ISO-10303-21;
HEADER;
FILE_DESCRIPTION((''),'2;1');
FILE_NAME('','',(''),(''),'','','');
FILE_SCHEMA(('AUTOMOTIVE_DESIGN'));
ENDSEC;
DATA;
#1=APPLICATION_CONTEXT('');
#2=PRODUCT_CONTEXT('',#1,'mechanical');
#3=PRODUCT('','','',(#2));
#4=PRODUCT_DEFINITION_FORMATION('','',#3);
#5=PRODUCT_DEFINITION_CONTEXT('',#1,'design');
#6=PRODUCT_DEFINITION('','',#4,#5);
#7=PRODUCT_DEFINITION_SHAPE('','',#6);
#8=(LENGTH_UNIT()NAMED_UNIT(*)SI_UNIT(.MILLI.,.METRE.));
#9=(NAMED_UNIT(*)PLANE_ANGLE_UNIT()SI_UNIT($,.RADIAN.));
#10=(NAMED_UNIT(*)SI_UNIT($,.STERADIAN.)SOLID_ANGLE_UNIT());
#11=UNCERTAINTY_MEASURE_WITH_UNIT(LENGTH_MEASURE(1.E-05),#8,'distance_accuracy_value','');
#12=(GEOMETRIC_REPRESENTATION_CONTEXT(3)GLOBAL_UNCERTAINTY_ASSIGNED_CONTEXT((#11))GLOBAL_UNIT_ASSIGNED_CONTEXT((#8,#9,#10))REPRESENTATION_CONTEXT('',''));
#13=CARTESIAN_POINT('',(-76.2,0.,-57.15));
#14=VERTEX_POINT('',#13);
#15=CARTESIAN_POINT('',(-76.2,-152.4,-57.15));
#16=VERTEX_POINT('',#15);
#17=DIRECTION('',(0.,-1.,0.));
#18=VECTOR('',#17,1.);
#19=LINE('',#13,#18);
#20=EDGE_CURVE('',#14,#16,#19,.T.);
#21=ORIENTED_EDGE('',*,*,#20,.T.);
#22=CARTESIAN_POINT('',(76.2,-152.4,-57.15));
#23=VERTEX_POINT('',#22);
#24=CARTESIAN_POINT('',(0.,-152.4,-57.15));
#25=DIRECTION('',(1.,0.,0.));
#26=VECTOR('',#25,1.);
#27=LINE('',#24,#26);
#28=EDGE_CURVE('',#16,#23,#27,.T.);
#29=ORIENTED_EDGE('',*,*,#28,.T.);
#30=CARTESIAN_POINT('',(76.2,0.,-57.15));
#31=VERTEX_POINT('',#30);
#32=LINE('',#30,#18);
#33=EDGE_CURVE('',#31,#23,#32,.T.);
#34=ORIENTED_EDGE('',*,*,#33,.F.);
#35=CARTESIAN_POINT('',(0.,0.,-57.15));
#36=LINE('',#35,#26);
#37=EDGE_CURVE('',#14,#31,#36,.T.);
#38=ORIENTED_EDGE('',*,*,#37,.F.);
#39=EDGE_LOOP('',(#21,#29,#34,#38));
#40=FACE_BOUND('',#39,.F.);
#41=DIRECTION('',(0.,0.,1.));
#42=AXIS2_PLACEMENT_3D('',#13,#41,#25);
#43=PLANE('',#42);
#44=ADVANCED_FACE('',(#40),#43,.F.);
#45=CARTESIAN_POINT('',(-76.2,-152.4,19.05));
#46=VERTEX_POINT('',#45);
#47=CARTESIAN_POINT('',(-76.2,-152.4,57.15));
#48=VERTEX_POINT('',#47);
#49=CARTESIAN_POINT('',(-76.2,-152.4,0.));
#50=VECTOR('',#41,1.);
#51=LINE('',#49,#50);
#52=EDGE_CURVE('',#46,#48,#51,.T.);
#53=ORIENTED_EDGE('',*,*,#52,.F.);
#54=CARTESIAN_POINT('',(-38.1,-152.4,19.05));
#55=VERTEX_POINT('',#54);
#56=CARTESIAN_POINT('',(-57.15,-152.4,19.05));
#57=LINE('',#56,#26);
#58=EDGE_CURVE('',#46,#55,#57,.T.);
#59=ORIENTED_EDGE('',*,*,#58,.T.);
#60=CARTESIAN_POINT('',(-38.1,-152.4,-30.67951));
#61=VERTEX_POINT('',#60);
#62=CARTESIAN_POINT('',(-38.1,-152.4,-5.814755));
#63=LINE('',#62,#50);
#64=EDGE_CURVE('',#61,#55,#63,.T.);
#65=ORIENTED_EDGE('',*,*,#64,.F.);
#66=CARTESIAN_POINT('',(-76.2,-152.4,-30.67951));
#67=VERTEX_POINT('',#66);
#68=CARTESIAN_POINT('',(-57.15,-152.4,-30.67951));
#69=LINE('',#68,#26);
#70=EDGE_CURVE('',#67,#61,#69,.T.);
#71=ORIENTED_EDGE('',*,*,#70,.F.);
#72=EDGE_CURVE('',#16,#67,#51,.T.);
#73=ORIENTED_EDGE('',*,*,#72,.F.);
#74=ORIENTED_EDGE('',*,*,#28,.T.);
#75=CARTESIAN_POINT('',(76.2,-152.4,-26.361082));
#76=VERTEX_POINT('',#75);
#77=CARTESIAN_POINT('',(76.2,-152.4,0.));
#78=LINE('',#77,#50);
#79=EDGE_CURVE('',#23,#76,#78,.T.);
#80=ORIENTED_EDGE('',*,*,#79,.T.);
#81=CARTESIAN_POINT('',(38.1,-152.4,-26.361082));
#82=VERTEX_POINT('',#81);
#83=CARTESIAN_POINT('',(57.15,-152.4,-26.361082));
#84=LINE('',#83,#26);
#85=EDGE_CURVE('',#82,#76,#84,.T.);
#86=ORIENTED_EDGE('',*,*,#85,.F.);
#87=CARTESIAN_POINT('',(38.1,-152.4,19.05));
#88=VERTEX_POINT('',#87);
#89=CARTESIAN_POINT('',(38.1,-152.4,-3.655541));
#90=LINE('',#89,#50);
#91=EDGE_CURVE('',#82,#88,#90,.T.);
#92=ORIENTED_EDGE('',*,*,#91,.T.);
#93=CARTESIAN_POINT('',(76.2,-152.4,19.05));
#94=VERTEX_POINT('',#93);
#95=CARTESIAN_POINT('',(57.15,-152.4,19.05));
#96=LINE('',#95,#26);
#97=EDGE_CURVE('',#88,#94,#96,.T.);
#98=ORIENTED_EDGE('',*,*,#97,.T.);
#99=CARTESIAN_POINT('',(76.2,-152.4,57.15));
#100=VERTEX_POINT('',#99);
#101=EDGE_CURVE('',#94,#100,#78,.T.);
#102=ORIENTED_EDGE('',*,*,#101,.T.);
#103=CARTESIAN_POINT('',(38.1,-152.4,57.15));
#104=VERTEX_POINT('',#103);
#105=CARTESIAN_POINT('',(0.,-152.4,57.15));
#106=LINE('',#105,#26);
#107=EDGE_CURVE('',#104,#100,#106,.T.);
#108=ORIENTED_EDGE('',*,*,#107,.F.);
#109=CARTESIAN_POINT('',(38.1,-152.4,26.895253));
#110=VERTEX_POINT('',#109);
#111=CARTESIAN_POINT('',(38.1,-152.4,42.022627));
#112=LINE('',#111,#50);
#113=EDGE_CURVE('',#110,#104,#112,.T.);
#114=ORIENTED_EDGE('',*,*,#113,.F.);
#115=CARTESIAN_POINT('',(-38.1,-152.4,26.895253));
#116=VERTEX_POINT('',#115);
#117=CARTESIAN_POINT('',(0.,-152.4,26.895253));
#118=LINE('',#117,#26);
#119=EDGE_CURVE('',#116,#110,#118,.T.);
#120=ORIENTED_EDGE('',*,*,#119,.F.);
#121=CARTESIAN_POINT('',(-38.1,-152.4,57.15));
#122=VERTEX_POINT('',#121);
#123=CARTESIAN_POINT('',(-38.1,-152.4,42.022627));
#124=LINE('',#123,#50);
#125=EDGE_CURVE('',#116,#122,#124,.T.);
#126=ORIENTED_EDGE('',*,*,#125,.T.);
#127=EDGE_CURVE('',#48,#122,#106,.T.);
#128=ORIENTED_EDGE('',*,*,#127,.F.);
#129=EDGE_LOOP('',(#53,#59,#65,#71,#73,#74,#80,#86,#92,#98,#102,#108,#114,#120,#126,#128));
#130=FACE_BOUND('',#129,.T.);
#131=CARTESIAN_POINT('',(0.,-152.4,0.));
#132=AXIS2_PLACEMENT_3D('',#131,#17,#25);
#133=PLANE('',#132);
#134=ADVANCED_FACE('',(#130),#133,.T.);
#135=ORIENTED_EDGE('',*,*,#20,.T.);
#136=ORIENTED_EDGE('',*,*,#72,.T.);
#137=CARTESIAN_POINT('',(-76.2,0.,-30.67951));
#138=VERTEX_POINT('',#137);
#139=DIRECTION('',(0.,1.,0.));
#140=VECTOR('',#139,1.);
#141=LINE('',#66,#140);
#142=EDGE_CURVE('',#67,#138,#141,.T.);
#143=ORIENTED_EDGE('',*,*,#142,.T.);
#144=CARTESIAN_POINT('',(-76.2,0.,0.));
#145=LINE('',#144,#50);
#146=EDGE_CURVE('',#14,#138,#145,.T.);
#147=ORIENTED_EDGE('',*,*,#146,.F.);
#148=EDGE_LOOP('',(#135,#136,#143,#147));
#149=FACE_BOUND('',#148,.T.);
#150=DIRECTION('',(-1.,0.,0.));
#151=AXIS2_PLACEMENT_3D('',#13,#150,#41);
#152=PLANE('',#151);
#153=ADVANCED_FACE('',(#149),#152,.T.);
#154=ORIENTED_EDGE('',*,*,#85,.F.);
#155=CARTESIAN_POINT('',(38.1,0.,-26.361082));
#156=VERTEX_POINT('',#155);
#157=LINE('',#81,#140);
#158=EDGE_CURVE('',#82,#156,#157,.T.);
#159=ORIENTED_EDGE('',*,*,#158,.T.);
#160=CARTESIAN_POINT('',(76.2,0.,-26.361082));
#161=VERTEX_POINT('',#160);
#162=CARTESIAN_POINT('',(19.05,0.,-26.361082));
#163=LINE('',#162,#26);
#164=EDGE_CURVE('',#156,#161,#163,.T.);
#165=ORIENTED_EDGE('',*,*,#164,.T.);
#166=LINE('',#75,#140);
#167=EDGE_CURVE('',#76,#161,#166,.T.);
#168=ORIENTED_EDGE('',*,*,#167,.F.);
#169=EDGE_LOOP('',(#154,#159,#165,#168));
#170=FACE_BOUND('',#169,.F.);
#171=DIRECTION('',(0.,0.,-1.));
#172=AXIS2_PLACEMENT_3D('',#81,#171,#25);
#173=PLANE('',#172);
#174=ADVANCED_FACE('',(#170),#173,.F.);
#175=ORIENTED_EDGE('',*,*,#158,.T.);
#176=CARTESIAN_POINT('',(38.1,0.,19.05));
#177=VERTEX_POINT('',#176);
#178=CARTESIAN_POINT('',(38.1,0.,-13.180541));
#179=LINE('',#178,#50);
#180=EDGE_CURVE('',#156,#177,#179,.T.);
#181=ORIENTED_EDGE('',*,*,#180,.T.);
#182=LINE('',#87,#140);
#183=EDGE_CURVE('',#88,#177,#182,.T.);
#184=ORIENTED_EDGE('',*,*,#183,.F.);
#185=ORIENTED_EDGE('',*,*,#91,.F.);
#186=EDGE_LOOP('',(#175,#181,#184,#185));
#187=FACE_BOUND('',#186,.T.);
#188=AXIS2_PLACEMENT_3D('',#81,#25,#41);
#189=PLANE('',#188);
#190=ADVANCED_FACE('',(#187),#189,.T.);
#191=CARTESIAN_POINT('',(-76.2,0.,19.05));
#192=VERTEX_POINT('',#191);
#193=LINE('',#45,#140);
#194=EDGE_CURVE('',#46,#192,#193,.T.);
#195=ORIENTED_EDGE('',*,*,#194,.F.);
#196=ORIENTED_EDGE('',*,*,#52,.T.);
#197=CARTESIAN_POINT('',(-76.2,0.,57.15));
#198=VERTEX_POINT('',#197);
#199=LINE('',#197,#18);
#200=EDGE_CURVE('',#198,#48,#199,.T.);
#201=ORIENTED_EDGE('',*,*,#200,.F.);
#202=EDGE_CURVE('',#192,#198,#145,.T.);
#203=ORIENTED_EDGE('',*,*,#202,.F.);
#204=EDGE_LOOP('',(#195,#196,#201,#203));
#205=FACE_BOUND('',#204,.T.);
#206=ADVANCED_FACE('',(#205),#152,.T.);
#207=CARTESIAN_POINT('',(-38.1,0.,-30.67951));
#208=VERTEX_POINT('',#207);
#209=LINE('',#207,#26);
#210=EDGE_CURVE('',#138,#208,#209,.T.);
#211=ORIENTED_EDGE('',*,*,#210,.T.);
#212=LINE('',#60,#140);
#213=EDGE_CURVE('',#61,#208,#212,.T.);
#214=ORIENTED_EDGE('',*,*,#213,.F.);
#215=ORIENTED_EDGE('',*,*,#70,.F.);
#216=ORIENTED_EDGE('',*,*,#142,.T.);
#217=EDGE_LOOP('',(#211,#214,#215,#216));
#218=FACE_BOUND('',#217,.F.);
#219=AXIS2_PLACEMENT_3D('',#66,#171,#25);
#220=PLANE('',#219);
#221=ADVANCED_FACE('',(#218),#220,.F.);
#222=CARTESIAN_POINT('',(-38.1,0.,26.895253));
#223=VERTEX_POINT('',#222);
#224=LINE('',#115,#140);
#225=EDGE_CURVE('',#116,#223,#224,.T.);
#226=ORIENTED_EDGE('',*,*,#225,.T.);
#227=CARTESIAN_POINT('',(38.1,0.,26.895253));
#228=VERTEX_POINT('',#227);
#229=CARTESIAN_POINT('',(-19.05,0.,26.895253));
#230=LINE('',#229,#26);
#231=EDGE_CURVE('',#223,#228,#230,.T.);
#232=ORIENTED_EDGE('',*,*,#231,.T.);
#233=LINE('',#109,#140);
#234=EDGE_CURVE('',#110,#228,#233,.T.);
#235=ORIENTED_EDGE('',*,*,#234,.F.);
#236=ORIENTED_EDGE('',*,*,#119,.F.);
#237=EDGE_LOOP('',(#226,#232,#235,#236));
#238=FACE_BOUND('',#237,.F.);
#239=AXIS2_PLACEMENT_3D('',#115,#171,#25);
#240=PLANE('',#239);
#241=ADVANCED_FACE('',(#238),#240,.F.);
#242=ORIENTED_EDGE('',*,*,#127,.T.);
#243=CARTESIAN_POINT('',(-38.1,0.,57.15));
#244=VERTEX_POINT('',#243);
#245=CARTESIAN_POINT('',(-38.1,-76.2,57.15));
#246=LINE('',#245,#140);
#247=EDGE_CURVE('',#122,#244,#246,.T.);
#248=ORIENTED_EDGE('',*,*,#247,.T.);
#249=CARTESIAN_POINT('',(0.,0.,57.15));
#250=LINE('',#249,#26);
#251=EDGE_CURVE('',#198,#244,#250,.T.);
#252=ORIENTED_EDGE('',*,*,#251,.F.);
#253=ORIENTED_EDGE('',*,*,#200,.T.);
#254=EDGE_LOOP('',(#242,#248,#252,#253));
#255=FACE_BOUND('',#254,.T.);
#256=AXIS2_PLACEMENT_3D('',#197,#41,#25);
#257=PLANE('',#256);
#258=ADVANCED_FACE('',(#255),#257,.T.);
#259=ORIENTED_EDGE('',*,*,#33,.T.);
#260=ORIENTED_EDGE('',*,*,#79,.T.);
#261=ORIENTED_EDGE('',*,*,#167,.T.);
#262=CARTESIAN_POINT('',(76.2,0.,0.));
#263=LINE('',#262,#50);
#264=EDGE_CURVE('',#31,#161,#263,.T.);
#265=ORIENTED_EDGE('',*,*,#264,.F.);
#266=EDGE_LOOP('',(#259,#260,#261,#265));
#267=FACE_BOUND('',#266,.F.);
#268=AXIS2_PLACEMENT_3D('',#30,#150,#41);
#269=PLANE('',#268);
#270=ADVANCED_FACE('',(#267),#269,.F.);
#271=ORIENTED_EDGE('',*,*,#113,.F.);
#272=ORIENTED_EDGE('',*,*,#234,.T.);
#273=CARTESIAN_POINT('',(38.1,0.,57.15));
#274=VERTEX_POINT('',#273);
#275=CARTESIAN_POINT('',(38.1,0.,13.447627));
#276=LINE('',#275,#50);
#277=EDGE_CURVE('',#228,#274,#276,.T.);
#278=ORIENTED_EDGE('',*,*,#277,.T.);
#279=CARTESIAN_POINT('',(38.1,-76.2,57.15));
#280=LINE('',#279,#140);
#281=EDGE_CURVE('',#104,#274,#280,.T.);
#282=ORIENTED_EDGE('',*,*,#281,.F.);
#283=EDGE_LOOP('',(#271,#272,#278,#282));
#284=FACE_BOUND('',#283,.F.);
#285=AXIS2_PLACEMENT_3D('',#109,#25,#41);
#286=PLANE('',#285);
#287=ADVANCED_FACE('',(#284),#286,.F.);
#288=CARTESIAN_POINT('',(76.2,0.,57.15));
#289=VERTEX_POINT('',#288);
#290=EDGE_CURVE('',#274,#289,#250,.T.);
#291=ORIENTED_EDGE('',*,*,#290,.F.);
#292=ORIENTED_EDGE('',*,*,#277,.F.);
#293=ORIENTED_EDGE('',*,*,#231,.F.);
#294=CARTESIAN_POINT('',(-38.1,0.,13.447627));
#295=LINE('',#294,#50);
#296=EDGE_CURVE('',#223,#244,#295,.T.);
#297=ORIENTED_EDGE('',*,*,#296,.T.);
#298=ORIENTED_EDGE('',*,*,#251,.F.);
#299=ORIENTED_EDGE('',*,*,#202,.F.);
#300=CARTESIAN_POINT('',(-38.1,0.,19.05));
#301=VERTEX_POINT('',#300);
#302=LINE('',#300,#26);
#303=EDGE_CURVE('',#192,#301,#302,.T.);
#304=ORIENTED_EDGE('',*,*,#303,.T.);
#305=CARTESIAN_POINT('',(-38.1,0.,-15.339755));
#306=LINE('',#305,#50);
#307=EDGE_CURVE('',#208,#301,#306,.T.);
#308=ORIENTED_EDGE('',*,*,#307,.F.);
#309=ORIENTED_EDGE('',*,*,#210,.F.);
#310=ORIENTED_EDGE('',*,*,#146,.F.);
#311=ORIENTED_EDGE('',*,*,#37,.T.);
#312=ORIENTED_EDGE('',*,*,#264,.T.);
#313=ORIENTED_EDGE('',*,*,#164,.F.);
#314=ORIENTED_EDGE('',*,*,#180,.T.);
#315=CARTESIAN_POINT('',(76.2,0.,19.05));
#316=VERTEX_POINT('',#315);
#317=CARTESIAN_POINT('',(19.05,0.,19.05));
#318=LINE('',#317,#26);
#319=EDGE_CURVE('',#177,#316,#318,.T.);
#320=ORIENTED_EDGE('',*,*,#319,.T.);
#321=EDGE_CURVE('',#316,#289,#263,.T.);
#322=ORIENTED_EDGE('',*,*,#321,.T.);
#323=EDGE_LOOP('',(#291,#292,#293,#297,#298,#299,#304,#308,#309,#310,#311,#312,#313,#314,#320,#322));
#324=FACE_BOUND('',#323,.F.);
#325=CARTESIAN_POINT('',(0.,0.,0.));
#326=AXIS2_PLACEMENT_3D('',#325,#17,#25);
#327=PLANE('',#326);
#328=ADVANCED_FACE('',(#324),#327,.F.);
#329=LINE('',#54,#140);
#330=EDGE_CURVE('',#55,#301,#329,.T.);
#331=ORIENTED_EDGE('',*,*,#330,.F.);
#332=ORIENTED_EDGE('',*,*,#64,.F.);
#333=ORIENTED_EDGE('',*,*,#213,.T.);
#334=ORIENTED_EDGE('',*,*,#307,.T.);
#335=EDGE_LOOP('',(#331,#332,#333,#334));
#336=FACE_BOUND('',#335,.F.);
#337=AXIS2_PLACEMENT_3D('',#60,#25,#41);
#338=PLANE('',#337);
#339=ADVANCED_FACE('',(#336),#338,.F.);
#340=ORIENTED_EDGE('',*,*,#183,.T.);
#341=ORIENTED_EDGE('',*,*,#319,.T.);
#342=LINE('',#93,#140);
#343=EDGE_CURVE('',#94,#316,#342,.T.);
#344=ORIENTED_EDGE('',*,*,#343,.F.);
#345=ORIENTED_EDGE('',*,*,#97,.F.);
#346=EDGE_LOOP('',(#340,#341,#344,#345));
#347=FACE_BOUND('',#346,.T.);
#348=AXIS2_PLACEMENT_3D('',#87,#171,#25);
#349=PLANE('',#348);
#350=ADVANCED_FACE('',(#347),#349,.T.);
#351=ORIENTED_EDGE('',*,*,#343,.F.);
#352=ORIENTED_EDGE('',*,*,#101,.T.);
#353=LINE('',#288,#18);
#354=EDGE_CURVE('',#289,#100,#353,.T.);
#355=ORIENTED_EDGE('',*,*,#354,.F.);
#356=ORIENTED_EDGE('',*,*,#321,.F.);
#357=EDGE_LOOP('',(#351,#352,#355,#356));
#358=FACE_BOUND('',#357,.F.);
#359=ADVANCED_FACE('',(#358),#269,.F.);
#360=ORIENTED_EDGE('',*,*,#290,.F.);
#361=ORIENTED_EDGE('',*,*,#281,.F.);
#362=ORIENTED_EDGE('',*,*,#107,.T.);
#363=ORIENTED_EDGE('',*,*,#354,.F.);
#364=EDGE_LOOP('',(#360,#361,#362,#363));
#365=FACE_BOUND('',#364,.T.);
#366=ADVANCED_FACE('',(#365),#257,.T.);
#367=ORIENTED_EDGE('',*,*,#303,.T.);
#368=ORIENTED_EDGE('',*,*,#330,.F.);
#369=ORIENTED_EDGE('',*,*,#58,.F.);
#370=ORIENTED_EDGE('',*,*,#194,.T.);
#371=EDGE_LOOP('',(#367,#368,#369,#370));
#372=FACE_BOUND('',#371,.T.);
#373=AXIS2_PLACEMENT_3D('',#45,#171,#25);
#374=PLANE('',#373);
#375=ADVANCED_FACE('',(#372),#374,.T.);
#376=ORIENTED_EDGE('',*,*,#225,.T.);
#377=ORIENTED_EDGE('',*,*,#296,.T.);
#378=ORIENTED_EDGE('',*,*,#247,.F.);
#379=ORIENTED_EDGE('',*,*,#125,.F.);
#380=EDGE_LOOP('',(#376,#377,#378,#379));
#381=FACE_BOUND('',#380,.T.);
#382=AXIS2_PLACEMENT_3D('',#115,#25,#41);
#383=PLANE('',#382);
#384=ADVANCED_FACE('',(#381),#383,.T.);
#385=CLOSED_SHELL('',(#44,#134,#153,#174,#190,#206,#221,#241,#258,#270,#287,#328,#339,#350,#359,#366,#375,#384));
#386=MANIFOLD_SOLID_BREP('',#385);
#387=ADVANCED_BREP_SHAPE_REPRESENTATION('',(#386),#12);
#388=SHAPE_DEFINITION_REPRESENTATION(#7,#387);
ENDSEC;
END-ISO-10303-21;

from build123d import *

# Parameters (mm, degrees)
F0_W     = 152.4
F0_H     = 114.3
F1_DEPTH = 152.4
F2_W     = 76.2
F2_H     = 30.254747
F3_DEPTH = 152.401
F2_W_2   = 38.1
F2_H_2   = 49.729511
F4_DEPTH = 152.401
F2_H_3   = 45.411082
F5_DEPTH = 152.401


with BuildPart() as f1:
    # F0 (on Front) → F1 (new body)
    with BuildSketch(Plane.XZ):
        Rectangle(F0_W, F0_H)
    extrude(amount=F1_DEPTH)

    # F2 (on face) → F3 (cut, through all)
    with BuildSketch(Plane.XZ.offset(152.4)):
        with Locations((0, 42.022627)):
            Rectangle(F2_W, F2_H)
    extrude(amount=-F3_DEPTH, mode=Mode.SUBTRACT)

    # F2 (on face) → F4 (cut, through all)
    with BuildSketch(Plane.XZ.offset(152.4)):
        with Locations((-57.15, -5.814755)):
            Rectangle(F2_W_2, F2_H_2)
    extrude(amount=-F4_DEPTH, mode=Mode.SUBTRACT)

    # F2 (on face) → F5 (cut, through all)
    with BuildSketch(Plane.XZ.offset(152.4)):
        with Locations((57.15, -3.655541)):
            Rectangle(F2_W_2, F2_H_3)
    extrude(amount=-F5_DEPTH, mode=Mode.SUBTRACT)


solid = f1.part
